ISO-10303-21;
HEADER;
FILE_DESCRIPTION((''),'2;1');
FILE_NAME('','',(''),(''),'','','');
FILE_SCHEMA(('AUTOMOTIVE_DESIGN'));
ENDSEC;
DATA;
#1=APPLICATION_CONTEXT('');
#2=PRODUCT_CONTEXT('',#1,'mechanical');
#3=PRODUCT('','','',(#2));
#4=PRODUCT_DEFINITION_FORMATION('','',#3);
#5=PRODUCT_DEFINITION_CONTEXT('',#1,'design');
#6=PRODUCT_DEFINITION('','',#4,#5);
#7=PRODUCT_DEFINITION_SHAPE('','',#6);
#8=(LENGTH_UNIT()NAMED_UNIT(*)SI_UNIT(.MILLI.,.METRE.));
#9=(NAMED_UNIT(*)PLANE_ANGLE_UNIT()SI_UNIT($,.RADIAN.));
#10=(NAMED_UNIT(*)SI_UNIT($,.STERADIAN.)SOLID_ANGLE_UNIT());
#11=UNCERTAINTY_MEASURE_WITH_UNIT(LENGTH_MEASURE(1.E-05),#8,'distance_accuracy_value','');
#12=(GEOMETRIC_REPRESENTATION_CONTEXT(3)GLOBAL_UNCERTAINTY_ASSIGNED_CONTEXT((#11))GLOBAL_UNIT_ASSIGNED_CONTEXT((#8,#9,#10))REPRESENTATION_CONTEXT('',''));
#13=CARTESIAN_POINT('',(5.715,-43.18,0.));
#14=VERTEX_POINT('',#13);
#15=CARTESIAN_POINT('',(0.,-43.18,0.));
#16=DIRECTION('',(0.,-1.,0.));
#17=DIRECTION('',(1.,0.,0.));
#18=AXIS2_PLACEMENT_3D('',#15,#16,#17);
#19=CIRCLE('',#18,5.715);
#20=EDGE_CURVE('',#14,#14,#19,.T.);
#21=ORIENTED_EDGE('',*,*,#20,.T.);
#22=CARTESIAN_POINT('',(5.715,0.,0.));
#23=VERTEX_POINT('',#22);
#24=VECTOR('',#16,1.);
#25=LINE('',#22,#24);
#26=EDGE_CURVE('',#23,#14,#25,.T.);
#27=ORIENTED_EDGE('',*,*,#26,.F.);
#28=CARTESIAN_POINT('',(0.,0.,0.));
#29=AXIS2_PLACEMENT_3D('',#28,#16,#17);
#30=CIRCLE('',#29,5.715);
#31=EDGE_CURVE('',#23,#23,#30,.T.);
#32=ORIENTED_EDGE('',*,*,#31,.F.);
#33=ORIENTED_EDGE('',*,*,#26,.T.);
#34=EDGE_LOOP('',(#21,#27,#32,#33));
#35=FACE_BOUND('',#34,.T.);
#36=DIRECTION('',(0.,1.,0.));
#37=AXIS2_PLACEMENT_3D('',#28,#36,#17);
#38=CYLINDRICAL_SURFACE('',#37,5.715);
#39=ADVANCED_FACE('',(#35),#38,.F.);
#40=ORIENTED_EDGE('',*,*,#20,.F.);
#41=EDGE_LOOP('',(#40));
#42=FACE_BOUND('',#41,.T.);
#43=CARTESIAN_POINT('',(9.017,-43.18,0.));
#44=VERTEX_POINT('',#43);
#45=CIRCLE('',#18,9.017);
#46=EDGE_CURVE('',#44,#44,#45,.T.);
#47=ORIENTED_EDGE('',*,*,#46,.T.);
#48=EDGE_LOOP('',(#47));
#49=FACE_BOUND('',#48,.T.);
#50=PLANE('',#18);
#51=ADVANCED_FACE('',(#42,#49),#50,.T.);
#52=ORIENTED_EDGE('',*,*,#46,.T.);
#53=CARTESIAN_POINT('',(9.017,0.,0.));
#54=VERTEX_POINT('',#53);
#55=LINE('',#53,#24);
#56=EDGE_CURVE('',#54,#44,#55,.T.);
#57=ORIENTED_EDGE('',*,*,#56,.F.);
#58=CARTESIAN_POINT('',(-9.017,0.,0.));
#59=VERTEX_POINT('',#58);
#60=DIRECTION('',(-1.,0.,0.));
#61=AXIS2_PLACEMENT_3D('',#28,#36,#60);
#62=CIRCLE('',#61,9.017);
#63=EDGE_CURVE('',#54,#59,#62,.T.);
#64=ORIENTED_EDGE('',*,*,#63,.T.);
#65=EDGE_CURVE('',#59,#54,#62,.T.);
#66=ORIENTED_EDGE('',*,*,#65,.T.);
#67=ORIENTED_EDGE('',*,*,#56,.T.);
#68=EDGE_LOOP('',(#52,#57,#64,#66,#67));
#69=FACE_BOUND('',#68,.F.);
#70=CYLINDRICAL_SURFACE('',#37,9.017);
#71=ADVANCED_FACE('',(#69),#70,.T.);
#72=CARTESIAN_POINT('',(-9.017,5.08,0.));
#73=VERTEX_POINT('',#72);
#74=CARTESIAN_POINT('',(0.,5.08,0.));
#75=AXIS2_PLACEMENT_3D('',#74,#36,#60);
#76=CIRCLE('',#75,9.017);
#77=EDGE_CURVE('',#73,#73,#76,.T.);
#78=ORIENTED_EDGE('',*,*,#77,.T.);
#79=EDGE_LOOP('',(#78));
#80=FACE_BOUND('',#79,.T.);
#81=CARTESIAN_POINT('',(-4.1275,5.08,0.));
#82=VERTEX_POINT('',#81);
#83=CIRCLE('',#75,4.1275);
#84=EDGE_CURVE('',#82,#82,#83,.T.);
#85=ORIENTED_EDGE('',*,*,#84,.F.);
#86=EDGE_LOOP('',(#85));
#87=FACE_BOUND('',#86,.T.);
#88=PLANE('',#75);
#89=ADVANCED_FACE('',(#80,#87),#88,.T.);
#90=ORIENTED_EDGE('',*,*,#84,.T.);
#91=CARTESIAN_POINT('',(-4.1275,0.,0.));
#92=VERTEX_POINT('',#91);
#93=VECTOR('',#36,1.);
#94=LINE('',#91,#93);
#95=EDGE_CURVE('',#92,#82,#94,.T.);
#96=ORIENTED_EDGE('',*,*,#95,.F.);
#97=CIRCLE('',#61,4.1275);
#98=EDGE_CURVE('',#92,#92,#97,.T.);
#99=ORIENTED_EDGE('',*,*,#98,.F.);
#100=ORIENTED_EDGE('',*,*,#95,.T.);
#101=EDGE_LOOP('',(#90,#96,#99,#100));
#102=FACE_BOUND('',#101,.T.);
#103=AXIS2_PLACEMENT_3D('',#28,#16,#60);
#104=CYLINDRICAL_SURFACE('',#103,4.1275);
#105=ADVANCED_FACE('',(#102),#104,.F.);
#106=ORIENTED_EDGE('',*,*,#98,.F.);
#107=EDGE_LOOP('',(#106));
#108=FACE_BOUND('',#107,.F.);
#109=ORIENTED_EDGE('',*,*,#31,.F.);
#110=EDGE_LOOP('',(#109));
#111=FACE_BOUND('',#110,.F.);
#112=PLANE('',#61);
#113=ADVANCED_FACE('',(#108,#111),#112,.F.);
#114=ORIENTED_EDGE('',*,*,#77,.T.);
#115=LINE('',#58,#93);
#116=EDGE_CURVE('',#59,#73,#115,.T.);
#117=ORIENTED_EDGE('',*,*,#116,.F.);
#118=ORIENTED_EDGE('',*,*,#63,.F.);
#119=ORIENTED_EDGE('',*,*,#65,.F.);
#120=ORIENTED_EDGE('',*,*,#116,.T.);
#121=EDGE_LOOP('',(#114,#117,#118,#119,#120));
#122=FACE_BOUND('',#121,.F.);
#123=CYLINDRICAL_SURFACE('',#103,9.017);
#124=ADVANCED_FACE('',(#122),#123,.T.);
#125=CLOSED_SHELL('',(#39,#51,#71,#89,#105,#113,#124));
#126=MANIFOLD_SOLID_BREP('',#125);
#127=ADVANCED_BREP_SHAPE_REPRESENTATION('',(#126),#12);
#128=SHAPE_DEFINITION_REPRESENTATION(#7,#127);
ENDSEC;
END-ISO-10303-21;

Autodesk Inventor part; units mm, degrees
ref_plane "YZ Plane" through (0, 0, 0) normal (1, 0, 0) x (0, 1, 0)
ref_plane "XZ Plane" through (0, 0, 0) normal (0, 1, 0) x (-1, 0, 0)
ref_plane "XY Plane" through (0, 0, 0) normal (0, 0, 1) x (1, 0, 0)
sketch "Sketch1" plane through (0, 0, 0) normal (0, 1, 0) x (-1, 0, 0)
  circle A0 centre (0, 0) radius 9.017
  circle A1 centre (0, 0) radius 4.1275
  dimension "d0" = 18.034
  dimension "d1" = 8.255
extrude "Extrusion1" add sketch "Sketch1" along normal blind 5.08
sketch "Sketch2" plane through (0, 0, 0) normal (0, -1, 0) x (1, 0, 0)
  circle A0 centre (0, 0) radius 5.715
  circle A1 centre (0, 0) radius 9.017 projected
  dimension "d4" = 11.43
extrude "Extrusion2" add sketch "Sketch2" along normal blind 43.18
properties part number "IR LED Barrel V1"
